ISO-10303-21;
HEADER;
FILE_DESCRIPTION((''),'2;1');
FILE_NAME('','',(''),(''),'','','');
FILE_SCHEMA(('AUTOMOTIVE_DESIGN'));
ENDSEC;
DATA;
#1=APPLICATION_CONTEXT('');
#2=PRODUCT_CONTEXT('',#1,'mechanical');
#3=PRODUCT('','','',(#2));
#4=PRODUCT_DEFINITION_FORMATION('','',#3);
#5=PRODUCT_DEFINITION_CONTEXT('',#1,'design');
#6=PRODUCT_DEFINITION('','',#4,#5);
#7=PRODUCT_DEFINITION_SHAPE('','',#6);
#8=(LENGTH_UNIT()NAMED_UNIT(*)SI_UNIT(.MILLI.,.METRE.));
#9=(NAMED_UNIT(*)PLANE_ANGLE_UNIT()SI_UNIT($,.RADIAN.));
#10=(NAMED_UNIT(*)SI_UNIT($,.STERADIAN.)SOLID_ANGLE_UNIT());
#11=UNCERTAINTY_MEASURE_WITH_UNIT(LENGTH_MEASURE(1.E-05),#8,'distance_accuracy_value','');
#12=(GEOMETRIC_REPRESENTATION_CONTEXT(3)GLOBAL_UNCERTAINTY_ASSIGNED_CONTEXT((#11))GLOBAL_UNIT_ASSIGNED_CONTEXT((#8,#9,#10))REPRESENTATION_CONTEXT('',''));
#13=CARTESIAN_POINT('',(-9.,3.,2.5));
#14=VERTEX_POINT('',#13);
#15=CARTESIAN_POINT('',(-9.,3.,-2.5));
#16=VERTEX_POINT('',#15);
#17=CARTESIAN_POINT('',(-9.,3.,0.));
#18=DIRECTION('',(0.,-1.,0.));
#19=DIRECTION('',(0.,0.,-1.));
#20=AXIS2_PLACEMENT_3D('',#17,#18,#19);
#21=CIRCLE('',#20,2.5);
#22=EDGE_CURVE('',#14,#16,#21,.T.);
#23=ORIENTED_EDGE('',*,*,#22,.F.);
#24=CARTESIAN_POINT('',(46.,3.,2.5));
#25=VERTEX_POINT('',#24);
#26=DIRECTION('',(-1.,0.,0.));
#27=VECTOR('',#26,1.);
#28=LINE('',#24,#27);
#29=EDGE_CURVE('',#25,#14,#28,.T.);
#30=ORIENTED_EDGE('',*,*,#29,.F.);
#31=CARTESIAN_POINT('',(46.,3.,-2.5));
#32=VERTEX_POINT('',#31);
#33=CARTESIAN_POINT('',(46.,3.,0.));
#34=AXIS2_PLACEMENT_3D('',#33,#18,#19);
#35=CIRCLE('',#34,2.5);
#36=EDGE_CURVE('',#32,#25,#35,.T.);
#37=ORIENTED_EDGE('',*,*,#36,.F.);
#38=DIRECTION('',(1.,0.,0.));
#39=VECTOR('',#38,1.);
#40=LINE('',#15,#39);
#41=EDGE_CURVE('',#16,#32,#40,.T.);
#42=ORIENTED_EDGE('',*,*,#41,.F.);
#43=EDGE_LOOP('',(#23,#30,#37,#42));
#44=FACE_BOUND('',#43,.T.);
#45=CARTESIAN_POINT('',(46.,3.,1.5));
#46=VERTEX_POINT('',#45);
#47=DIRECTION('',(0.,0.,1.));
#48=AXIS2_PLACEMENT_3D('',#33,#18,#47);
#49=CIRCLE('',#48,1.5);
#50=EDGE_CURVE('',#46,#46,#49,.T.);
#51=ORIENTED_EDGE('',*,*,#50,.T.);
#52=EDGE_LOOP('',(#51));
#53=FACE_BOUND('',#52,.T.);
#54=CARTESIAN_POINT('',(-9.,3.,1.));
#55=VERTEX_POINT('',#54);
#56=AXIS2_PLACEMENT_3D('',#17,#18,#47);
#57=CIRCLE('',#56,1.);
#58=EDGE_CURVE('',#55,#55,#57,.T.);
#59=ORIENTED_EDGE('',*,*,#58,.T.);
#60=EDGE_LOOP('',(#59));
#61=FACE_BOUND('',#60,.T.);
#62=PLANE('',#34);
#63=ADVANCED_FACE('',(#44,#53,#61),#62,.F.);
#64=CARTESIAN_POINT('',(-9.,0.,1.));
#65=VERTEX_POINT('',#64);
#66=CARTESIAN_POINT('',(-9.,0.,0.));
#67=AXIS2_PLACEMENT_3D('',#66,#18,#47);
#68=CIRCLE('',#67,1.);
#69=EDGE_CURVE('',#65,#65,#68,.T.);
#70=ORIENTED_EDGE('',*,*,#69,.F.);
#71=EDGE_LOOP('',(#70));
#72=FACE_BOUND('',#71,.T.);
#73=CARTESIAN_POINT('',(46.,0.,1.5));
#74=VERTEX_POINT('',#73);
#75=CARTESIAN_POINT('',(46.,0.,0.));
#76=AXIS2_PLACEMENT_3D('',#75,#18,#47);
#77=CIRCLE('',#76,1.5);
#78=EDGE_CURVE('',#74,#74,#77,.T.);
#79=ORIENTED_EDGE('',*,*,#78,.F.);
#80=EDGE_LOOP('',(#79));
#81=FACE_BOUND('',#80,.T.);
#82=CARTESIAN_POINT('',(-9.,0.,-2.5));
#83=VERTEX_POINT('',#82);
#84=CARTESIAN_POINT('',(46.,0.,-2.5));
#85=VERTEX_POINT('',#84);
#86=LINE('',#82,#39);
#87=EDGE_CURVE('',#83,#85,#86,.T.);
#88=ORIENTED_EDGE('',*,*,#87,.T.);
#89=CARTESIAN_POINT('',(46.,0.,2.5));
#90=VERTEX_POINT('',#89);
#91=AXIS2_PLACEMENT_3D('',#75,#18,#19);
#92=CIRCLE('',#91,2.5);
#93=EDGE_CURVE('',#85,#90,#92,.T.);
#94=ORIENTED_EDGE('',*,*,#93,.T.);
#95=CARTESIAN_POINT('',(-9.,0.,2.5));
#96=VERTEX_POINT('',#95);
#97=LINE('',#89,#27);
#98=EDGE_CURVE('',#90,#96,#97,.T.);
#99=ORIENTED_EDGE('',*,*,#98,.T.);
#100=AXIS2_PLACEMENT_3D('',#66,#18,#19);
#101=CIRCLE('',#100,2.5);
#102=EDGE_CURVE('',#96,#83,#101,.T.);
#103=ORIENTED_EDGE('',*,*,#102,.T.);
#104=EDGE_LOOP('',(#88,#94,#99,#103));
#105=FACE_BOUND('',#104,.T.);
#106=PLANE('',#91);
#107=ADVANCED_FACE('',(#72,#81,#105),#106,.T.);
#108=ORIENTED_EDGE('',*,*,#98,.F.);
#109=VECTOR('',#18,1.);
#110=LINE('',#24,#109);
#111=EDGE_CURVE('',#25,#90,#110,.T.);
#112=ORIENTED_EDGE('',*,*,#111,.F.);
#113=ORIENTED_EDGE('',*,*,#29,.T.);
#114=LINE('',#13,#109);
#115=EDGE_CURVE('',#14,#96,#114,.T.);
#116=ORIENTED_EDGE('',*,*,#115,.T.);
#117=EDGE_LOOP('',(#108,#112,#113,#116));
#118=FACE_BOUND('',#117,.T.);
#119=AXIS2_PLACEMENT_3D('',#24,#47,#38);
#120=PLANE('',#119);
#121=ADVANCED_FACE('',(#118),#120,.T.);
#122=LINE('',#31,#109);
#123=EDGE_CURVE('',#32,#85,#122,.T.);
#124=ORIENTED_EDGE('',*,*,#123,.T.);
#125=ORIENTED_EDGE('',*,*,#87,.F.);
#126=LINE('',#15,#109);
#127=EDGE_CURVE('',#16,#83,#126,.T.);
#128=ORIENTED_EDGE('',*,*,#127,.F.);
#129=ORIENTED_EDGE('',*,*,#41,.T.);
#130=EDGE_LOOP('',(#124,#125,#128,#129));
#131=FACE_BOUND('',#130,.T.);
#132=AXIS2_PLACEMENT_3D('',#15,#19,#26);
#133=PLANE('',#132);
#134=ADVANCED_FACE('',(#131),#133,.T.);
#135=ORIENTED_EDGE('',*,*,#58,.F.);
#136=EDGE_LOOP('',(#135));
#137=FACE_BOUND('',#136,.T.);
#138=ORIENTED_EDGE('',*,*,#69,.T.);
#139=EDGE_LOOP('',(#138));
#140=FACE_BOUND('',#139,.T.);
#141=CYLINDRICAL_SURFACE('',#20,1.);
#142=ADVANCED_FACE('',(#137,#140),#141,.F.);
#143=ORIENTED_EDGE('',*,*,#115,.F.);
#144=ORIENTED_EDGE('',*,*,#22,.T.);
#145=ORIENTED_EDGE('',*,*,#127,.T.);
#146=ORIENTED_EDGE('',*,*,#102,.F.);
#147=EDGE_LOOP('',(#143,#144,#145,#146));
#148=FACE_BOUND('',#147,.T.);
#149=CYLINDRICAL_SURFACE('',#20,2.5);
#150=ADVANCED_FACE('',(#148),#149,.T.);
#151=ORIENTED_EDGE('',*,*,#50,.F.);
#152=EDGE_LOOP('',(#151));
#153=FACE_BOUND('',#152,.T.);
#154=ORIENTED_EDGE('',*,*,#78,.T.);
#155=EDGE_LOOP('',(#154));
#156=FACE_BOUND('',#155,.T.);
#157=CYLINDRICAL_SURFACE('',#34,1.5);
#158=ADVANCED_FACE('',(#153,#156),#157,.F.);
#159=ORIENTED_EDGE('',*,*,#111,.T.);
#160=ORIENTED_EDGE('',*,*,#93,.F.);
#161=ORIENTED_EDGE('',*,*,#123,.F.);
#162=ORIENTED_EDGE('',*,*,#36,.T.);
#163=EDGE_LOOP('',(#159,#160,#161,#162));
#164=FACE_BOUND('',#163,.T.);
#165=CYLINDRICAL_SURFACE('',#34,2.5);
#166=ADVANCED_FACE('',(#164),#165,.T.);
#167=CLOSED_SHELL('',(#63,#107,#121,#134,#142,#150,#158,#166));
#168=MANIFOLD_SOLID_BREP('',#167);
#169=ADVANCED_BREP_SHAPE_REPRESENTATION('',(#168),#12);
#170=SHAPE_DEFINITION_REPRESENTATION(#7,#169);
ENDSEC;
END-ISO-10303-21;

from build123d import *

# Parameters (mm, degrees)
SKETCH1_R           = 1.5
SKETCH1_R_2         = 1
BOSS_EXTRUDE1_DEPTH = 3


with BuildPart() as part:
    # Sketch1 → Boss-Extrude1 (new body)
    with BuildSketch(Plane.XZ):
        with BuildLine():
            Line((46, 2.5), (-9, 2.5))
            ThreePointArc((-9, 2.5), (-11.5, 0), (-9, -2.5))
            Line((-9, -2.5), (46, -2.5))
            ThreePointArc((46, -2.5), (48.5, 0), (46, 2.5))
        make_face()
        with Locations((46, 0)):
            Circle(SKETCH1_R, mode=Mode.SUBTRACT)
        with Locations((-9, 0)):
            Circle(SKETCH1_R_2, mode=Mode.SUBTRACT)
    extrude(amount=-BOSS_EXTRUDE1_DEPTH)


solid = part.part
